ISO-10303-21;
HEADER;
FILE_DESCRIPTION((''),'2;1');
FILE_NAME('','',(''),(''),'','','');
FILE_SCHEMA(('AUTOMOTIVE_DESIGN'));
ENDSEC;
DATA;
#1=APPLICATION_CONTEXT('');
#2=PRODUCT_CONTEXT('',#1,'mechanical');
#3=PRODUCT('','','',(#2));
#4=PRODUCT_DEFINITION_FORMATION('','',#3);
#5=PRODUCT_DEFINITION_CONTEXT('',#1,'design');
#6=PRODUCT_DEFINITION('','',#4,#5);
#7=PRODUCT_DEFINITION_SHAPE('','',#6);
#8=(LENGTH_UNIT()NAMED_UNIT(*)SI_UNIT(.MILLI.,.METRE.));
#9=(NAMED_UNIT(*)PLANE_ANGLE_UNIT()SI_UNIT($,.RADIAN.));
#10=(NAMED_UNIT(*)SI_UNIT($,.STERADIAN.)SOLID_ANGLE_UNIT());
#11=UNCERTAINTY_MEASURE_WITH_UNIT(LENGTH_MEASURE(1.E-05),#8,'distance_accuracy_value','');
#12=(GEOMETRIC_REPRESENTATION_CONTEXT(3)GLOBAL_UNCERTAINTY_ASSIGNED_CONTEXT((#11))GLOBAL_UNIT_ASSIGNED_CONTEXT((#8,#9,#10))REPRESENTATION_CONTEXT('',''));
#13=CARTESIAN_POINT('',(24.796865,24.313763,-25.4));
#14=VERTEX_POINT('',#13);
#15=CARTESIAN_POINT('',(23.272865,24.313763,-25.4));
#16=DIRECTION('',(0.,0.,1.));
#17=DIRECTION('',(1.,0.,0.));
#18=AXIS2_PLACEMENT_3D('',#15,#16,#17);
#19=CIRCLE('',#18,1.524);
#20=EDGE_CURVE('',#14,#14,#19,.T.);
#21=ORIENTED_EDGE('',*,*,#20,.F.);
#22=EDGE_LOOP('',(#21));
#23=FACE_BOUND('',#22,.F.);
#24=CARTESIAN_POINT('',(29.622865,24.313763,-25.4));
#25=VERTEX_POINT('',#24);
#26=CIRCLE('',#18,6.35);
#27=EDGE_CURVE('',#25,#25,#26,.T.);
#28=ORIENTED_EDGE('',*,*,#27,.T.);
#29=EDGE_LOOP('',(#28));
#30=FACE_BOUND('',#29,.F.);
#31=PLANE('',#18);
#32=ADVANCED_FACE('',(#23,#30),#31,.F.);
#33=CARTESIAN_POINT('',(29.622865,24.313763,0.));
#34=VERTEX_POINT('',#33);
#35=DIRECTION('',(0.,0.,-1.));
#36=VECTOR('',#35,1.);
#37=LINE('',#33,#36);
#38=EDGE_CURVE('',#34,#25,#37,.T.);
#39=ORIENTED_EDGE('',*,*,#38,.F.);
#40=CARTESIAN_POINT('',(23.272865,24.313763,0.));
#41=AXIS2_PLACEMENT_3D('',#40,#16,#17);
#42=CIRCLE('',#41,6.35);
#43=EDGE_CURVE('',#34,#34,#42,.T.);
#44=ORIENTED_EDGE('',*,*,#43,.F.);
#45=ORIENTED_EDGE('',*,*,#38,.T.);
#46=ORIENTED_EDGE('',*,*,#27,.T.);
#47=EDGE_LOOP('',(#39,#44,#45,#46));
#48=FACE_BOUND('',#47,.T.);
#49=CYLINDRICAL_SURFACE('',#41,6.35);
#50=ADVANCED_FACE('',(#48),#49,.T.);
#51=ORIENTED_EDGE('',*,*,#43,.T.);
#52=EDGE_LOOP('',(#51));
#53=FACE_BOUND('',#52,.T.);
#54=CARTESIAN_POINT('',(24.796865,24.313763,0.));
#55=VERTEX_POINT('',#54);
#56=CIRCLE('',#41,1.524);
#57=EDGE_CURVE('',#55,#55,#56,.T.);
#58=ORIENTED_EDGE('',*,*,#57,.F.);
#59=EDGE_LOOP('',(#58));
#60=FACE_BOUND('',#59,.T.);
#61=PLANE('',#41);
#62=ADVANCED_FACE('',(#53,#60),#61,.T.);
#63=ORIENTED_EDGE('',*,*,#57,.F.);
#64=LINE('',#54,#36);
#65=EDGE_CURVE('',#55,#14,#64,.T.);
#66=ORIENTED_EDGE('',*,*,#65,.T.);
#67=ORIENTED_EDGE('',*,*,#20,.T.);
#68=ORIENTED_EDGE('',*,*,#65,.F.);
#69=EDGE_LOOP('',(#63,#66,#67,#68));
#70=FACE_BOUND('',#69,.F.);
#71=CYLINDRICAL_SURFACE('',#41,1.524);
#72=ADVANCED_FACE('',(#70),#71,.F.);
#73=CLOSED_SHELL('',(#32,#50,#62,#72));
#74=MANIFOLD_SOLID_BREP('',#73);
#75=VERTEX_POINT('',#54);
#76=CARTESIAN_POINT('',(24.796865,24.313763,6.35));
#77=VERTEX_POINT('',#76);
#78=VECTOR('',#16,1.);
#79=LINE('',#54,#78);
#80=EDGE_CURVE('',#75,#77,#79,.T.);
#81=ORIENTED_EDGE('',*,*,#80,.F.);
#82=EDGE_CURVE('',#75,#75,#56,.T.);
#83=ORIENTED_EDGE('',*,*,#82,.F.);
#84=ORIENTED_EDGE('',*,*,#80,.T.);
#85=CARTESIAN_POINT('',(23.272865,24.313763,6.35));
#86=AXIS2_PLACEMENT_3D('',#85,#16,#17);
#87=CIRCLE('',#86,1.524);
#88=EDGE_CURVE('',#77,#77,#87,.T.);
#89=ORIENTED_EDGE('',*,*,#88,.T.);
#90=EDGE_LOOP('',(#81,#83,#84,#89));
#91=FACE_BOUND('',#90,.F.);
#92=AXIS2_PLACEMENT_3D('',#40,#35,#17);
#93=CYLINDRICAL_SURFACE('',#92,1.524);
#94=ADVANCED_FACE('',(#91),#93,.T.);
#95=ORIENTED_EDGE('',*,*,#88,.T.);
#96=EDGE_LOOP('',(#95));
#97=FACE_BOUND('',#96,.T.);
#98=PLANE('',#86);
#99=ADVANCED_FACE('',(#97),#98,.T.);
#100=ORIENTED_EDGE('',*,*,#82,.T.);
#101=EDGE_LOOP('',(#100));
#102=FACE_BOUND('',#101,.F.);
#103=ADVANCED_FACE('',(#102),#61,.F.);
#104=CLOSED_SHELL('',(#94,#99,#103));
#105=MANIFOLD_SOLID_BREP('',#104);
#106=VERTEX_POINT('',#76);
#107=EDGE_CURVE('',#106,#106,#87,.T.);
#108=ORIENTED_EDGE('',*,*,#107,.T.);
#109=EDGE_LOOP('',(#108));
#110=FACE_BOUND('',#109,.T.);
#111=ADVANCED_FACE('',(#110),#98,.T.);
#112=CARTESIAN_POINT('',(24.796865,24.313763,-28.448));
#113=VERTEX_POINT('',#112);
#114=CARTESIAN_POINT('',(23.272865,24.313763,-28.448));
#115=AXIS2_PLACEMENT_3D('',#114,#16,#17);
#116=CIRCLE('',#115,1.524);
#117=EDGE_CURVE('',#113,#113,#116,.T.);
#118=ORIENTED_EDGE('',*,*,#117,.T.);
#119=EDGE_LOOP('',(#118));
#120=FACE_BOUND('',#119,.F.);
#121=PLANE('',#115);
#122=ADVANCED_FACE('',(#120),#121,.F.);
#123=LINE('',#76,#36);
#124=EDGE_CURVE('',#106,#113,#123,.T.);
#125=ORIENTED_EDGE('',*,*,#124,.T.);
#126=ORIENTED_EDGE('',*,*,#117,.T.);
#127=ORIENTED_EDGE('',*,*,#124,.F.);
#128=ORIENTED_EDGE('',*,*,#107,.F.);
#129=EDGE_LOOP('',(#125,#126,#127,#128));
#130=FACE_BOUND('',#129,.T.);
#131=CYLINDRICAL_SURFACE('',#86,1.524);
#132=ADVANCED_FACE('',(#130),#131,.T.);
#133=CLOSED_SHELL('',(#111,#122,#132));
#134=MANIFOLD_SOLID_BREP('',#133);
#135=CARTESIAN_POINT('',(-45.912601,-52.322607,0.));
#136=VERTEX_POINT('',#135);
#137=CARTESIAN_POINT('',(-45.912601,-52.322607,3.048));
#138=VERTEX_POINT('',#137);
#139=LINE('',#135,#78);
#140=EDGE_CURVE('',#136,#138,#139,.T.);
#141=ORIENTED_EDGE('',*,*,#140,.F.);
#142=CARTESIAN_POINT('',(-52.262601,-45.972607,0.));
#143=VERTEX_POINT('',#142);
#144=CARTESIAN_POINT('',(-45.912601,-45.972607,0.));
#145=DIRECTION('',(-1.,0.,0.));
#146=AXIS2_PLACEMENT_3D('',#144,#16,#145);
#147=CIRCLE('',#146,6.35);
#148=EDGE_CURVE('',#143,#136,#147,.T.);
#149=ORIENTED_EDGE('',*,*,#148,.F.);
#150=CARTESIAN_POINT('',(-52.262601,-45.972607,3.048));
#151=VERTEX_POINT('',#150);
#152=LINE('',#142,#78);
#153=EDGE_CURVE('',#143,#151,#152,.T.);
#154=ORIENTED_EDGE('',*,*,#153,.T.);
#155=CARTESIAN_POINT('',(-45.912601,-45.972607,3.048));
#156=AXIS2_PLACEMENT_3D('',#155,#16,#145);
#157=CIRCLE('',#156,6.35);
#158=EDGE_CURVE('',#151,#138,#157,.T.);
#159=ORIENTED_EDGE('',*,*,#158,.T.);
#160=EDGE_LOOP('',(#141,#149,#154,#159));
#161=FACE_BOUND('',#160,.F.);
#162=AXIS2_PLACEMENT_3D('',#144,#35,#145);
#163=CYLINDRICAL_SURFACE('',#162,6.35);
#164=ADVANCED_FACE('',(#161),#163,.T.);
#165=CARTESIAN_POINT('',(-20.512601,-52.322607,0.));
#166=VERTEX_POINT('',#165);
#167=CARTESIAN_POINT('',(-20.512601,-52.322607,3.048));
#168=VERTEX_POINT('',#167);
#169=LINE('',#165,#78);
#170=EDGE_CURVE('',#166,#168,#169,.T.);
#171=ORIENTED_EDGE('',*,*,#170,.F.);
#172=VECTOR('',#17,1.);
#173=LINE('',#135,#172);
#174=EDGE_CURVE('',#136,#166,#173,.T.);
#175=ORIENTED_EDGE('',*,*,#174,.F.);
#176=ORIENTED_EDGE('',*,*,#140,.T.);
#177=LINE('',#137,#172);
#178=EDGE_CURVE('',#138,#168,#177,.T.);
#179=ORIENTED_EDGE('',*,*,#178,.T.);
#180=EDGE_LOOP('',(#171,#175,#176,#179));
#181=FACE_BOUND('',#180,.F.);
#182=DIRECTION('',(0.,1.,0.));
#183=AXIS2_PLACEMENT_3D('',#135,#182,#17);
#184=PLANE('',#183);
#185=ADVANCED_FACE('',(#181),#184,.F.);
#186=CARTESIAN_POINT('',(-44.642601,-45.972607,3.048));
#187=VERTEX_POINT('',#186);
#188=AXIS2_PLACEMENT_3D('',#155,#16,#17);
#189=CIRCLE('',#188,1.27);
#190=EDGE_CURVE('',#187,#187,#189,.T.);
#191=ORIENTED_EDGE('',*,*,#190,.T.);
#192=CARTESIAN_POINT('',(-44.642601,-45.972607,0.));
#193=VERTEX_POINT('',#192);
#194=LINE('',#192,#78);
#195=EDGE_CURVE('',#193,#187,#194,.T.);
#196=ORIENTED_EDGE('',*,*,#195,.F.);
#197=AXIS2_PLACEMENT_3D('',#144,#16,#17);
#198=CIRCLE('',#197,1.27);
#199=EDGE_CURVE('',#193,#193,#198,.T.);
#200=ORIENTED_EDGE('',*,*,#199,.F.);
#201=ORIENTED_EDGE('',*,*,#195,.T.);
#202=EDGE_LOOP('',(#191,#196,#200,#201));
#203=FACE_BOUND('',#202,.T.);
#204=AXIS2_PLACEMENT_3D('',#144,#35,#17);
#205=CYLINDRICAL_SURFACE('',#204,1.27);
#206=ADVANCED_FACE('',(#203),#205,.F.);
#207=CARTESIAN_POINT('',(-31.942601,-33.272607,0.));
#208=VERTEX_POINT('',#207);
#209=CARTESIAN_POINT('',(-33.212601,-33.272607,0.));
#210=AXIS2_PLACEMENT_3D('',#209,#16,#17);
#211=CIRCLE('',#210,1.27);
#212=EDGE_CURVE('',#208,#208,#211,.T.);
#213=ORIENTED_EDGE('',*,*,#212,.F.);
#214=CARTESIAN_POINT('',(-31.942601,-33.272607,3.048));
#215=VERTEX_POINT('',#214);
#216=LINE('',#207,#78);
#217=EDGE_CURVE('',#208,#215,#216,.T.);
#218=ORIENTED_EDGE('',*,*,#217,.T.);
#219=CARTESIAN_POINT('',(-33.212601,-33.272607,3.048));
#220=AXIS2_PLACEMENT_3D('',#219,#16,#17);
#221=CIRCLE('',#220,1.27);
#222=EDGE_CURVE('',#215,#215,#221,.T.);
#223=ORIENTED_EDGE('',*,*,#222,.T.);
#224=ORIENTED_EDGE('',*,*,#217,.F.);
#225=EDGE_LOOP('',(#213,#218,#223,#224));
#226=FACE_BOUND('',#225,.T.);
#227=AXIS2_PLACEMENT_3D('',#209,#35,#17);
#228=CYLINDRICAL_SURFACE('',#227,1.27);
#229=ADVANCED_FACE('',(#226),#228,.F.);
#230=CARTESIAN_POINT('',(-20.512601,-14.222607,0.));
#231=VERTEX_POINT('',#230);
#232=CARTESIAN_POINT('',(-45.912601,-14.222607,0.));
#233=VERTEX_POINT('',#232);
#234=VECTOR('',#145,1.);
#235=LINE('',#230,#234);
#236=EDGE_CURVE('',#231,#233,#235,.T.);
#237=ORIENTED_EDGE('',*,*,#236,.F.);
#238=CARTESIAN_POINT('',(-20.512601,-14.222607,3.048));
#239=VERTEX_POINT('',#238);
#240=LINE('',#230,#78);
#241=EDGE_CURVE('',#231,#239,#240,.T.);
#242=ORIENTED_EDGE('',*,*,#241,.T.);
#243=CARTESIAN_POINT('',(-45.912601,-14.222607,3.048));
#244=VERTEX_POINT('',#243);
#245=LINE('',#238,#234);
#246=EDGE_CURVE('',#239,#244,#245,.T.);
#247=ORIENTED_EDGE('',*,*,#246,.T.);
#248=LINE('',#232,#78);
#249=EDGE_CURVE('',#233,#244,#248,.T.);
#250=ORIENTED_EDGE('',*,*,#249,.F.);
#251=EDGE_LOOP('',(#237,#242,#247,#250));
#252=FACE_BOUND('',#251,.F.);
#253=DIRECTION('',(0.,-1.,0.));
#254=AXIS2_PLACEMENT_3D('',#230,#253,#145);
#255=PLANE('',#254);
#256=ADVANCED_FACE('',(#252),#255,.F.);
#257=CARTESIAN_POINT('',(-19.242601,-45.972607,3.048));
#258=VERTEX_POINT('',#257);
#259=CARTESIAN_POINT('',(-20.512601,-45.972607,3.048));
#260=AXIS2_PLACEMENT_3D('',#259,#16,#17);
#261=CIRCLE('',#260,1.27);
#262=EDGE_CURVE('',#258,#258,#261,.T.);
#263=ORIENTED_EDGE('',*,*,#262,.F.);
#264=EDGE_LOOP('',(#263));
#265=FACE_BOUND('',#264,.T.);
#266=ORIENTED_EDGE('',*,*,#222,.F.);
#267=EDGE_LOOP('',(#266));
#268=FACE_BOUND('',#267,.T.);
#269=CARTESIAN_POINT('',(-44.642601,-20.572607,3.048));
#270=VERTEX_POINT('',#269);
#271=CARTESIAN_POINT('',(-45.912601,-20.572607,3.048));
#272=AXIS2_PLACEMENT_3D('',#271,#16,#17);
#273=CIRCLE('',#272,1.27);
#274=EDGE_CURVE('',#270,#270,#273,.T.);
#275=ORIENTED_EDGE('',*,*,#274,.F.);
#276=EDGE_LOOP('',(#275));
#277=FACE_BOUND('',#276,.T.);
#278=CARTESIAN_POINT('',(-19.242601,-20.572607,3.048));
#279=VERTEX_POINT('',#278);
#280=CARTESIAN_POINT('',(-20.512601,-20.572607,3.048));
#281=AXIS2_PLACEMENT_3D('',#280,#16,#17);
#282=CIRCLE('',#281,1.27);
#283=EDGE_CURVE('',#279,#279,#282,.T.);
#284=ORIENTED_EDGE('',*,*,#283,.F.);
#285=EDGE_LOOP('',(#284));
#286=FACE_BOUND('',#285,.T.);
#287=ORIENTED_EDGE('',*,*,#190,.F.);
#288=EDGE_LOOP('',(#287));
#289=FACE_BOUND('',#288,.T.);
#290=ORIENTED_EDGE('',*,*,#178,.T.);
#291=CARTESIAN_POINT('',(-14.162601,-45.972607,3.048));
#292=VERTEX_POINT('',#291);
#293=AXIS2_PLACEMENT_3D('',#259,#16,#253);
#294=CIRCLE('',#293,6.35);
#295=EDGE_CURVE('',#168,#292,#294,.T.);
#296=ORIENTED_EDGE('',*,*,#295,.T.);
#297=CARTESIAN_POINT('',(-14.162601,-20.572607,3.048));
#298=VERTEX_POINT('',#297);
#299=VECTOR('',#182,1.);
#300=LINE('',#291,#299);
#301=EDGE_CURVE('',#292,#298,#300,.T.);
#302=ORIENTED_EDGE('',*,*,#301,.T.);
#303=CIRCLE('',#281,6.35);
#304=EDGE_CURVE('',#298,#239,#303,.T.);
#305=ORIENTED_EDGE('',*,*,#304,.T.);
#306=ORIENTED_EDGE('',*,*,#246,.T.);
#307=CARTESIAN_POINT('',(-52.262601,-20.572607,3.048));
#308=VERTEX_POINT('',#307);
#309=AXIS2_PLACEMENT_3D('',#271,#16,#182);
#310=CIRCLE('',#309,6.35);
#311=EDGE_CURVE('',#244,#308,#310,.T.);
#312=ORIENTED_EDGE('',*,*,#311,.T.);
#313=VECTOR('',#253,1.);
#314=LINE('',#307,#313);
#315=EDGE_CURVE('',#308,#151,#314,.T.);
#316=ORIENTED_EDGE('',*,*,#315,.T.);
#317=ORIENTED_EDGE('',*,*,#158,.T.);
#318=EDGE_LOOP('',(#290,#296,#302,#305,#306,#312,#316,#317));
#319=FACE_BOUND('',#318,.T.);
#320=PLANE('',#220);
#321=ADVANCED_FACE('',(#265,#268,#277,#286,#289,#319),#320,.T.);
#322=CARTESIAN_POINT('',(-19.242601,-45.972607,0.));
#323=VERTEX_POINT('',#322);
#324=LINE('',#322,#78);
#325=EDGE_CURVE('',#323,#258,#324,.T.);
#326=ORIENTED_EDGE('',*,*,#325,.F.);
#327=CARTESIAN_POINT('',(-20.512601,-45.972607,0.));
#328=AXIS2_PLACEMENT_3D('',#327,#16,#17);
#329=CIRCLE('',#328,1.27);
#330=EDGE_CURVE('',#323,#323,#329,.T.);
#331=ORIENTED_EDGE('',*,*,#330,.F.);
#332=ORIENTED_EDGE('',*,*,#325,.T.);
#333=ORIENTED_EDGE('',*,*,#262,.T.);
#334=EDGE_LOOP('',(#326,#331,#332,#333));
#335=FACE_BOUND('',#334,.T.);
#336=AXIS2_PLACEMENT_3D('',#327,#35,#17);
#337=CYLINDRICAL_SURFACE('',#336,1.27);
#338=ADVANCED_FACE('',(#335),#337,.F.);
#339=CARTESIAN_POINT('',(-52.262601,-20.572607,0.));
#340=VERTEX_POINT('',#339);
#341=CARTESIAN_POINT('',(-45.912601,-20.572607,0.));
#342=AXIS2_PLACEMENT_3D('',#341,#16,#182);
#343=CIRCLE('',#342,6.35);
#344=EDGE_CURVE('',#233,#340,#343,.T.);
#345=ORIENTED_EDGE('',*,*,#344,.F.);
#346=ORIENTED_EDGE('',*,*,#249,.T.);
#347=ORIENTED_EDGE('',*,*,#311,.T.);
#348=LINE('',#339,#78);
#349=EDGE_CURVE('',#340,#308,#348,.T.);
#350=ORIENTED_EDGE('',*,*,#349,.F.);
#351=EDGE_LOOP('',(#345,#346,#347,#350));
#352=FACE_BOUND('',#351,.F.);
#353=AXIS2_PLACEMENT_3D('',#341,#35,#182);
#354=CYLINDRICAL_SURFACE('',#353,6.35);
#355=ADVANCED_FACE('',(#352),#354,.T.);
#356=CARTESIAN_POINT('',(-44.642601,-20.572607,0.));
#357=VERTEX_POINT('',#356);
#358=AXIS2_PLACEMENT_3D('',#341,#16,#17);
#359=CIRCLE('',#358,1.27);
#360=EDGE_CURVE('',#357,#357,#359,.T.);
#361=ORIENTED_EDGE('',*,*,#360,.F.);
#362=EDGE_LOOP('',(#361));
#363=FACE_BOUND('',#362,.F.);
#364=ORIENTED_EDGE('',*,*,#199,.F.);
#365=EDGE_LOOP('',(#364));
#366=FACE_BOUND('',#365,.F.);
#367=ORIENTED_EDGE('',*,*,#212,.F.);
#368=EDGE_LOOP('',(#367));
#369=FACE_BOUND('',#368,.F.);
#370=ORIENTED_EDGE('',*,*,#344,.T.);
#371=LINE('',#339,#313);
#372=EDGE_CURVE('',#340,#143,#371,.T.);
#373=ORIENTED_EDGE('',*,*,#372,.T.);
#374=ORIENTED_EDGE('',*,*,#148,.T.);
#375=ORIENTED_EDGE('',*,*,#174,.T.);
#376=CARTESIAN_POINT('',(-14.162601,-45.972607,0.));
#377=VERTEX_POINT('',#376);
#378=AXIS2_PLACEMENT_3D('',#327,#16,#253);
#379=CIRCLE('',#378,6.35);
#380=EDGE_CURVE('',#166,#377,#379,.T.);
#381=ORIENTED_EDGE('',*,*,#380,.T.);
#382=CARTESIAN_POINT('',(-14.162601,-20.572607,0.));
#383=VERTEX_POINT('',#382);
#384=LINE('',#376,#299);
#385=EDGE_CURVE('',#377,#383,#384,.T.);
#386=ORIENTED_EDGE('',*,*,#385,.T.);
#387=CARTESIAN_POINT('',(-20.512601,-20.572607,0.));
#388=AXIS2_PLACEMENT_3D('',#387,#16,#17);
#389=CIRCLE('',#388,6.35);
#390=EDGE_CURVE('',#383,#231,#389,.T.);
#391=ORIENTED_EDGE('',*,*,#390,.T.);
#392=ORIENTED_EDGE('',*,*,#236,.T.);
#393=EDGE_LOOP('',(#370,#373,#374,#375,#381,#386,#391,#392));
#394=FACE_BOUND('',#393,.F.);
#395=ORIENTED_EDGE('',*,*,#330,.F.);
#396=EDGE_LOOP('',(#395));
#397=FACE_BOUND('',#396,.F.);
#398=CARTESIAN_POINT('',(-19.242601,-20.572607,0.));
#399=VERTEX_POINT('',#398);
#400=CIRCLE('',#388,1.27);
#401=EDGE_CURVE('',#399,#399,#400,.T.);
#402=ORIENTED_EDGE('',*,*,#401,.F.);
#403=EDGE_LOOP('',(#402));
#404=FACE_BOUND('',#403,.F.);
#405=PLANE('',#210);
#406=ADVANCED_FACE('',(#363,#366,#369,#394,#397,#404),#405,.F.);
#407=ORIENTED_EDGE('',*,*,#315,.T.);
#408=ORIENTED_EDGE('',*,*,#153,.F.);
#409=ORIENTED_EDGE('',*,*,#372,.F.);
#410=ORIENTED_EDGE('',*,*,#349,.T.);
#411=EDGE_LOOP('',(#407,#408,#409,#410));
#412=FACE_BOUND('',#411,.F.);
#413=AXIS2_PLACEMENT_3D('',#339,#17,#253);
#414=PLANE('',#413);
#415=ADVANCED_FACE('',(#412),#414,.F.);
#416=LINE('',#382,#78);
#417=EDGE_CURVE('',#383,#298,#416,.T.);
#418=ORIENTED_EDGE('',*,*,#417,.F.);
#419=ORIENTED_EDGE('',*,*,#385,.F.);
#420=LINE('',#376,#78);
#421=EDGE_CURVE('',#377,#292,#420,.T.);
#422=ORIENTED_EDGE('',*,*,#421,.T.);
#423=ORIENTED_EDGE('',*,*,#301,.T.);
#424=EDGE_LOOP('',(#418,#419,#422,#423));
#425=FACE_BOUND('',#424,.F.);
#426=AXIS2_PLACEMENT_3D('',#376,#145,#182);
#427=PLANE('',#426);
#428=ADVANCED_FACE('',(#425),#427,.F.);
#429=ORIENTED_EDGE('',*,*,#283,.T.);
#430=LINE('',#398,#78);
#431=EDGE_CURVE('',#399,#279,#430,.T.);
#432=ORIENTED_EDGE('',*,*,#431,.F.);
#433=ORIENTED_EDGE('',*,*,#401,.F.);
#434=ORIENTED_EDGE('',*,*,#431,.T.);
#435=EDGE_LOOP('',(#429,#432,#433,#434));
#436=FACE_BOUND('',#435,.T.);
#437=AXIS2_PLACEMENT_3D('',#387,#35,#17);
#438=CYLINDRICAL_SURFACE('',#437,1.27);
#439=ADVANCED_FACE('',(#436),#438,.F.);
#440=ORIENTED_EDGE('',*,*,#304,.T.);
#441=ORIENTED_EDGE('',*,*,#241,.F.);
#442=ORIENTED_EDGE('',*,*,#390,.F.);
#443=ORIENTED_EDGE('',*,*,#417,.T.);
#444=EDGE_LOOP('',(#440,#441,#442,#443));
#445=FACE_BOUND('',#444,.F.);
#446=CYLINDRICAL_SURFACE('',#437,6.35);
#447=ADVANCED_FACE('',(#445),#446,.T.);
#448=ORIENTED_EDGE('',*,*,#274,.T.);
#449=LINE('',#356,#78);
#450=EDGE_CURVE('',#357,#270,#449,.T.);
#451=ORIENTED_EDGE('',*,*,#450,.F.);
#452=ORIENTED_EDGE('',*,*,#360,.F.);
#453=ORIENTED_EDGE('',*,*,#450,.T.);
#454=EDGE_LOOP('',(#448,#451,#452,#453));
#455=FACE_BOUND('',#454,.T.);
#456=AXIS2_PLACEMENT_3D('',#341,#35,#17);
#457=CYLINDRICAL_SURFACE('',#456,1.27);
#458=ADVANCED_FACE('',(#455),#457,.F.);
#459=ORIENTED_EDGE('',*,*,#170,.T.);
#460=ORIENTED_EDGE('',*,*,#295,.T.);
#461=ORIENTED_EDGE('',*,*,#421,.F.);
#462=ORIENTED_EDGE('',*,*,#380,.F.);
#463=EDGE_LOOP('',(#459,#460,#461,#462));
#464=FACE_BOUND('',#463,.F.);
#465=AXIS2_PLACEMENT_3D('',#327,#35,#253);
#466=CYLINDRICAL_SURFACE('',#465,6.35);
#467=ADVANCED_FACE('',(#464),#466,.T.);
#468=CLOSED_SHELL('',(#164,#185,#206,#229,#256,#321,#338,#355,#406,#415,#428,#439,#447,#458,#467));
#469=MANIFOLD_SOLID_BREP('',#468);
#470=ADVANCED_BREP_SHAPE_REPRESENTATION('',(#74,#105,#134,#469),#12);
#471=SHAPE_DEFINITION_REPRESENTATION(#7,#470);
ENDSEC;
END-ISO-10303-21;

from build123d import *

# Parameters (mm, degrees)
F0_R     = 1.27
F1_DEPTH = 3.048
F2_R     = 1.524
F3_DEPTH = 6.35
F2_R_2   = 6.35
F4_DEPTH = 25.4
F5_DEPTH = 34.798


with BuildPart() as f1:
    # F0 (on Top) → F1 (new body)
    with BuildSketch(Plane.XY):
        with BuildLine():
            Line((-20.5126005113, -14.2226074874), (-45.9126005113, -14.2226074874))
            ThreePointArc((-45.9126005113, -14.2226074874), (-50.4027285718, -16.0824794269), (-52.2626005113, -20.5726074874))
            Line((-52.2626005113, -20.5726074874), (-52.2626005113, -45.9726074874))
            ThreePointArc((-52.2626005113, -45.9726074874), (-50.4027285718, -50.462735548), (-45.9126005113, -52.3226074874))
            Line((-45.9126005113, -52.3226074874), (-20.5126005113, -52.3226074874))
            ThreePointArc((-20.5126005113, -52.3226074874), (-16.0224724508, -50.462735548), (-14.1626005113, -45.9726074874))
            Line((-14.1626005113, -45.9726074874), (-14.1626005113, -20.5726074874))
            ThreePointArc((-14.1626005113, -20.5726074874), (-16.0224724508, -16.0824794269), (-20.5126005113, -14.2226074874))
        make_face()
        with Locations((-45.9126005113, -45.9726074874)):
            Circle(F0_R, mode=Mode.SUBTRACT)
        with Locations((-33.2126005113, -33.2726074874)):
            Circle(F0_R, mode=Mode.SUBTRACT)
        with Locations((-20.5126005113, -45.9726074874)):
            Circle(F0_R, mode=Mode.SUBTRACT)
        with Locations((-45.9126005113, -20.5726074874)):
            Circle(F0_R, mode=Mode.SUBTRACT)
        with Locations((-20.5126005113, -20.5726074874)):
            Circle(F0_R, mode=Mode.SUBTRACT)
    extrude(amount=F1_DEPTH)


with BuildPart() as f3:
    # F2 (on Top) → F3 (new body)
    with BuildSketch(Plane.XY):
        with Locations((23.2728645205, 24.313762784)):
            Circle(F2_R)
    extrude(amount=F3_DEPTH)

    # F2 (on Top) → F4 (join)
    with BuildSketch(Plane.XY):
        with Locations((23.2728645205, 24.313762784)):
            Circle(F2_R_2)
        with Locations((23.2728645205, 24.313762784)):
            Circle(F2_R, mode=Mode.SUBTRACT)
    extrude(amount=-F4_DEPTH)


with BuildPart() as f5:
    # F5 (new): a face of the model
    f5_faces = [f3.part.faces().sort_by_distance(p)[0] for p in [
        (23.2728645205, 24.313762784, 6.35),
    ]]
    extrude(f5_faces, amount=-F5_DEPTH)


solid = Compound([f1.part, f3.part, f5.part])
